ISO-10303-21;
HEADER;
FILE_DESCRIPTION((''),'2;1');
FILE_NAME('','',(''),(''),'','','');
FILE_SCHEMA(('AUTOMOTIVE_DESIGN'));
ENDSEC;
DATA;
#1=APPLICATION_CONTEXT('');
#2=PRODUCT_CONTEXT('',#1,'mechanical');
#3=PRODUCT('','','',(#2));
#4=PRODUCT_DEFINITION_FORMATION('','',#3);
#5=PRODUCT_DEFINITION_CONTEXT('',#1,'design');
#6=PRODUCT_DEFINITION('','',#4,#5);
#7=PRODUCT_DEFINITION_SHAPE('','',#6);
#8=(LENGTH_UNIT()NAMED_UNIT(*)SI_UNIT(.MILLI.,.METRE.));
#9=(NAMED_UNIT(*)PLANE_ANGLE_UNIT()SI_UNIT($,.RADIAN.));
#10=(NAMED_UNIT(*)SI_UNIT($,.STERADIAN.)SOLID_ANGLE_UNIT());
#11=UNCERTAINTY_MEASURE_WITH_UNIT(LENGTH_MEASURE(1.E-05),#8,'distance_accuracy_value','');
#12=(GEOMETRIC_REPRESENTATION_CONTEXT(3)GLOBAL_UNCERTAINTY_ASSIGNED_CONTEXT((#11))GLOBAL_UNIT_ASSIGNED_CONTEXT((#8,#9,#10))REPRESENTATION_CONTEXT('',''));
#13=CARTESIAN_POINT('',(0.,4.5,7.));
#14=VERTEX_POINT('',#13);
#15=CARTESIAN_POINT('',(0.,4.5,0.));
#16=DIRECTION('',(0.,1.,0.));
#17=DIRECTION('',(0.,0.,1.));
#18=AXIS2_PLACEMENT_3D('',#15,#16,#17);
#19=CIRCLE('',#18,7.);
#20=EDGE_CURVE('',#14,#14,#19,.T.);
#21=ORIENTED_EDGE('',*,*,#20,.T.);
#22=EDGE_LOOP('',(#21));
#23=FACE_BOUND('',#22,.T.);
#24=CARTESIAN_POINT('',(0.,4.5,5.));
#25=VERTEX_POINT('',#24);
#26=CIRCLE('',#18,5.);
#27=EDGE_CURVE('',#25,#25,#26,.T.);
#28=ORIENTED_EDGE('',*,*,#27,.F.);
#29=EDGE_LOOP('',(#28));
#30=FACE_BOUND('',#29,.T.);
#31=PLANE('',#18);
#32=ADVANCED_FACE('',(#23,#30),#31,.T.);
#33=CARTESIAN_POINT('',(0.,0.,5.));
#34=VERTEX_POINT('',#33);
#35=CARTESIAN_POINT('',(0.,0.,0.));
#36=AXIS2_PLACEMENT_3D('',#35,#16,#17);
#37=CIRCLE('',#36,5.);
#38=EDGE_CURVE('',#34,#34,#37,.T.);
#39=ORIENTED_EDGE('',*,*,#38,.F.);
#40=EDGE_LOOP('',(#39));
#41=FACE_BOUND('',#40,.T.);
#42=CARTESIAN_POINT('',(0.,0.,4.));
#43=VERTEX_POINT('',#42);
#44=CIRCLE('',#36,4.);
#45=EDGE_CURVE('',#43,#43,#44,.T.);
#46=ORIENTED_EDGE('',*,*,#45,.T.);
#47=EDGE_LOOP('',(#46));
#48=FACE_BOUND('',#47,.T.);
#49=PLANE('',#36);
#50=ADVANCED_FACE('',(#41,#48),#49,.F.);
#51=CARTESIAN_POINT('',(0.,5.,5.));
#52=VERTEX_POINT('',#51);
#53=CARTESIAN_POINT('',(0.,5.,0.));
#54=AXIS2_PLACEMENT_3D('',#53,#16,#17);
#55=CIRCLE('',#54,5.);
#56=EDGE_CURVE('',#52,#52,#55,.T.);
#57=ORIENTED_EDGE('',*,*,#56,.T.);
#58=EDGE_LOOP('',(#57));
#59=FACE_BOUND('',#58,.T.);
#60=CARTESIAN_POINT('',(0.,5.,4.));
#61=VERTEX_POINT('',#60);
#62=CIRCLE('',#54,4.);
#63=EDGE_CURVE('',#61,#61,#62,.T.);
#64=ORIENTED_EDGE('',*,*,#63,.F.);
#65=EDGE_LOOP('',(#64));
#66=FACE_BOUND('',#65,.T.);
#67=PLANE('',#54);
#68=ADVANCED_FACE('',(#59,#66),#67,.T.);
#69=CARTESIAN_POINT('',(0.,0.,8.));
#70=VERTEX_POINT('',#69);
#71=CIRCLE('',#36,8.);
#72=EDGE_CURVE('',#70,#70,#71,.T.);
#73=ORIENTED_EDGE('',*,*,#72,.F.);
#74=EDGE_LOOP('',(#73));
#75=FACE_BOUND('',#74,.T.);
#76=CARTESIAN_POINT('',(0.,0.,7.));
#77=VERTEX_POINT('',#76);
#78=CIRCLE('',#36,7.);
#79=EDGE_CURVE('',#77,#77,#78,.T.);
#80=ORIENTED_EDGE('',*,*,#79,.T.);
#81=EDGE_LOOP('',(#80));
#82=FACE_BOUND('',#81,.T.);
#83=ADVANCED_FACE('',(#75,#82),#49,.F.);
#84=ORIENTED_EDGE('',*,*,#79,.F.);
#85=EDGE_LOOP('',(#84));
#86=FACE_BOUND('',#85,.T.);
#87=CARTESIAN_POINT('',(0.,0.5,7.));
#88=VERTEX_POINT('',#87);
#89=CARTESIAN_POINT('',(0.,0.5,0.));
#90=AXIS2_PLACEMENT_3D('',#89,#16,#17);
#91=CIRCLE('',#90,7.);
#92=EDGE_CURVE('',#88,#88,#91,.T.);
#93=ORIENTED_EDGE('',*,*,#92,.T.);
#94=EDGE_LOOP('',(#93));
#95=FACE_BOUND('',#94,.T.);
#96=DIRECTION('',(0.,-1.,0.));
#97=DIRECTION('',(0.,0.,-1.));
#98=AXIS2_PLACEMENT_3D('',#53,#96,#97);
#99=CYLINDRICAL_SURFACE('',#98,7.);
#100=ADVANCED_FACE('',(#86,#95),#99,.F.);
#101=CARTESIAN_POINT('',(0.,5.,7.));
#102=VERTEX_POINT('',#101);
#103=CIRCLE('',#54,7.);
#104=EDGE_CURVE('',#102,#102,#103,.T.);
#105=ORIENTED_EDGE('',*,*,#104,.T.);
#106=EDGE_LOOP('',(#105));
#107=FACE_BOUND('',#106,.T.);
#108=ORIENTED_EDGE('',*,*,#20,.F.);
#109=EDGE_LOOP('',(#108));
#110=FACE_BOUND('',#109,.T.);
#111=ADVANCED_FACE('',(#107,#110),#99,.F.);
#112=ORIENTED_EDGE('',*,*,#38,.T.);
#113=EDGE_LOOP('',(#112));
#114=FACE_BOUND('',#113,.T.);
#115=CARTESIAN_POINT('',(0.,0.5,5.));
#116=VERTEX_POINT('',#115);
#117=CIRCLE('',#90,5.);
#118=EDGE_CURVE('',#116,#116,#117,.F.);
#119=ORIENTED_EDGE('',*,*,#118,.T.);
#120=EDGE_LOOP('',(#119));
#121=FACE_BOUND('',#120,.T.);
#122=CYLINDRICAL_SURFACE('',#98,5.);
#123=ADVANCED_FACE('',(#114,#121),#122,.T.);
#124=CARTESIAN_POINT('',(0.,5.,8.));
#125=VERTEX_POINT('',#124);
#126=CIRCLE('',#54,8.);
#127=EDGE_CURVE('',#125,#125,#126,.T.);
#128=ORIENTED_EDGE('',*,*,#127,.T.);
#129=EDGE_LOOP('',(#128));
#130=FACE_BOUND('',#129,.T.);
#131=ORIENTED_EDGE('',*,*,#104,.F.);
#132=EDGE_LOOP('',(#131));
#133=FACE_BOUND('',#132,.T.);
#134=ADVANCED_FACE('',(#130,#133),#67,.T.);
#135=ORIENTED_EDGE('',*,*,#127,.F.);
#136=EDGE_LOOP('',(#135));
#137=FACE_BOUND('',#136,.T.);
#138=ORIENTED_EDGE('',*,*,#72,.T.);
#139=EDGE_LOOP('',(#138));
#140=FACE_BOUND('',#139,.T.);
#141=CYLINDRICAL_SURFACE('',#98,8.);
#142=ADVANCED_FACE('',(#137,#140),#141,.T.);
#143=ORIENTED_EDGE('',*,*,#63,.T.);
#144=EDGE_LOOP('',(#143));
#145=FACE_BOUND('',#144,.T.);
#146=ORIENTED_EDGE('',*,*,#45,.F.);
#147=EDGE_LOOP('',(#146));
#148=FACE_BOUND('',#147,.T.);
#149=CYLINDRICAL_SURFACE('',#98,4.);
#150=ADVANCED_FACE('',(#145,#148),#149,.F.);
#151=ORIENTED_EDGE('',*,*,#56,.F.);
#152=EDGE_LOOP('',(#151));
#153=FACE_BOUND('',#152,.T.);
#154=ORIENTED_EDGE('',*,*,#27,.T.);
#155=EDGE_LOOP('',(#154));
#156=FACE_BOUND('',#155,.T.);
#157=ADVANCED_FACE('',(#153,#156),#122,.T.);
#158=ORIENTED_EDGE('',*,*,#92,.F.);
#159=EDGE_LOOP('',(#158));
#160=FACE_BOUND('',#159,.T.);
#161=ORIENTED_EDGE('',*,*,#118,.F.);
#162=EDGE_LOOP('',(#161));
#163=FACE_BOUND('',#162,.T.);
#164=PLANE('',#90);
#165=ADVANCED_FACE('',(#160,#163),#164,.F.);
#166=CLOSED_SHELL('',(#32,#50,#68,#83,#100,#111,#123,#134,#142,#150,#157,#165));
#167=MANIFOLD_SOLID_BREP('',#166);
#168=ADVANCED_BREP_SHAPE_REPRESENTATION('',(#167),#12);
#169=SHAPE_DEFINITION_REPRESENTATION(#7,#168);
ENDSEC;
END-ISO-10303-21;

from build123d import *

# Parameters (mm, degrees)
SKETCH2_R             = 8
SKETCH2_R_2           = 7
BOSS_EXTRUDE1_DEPTH   = 5
SKETCH2_R_3           = 5
SKETCH2_R_4           = 4
BOSS_EXTRUDE1_2_DEPTH = 5
BOSS_EXTRUDE2_START   = 0.5
SKETCH2_3_R           = 7
SKETCH2_3_R_2         = 5
BOSS_EXTRUDE2_DEPTH   = 4


with BuildPart() as part:
    # Sketch2 → Boss-Extrude1 (new body)
    with BuildSketch(Plane(origin=(0, 0, 0), x_dir=(1, 0, 0), z_dir=(0, 1, 0))):
        Circle(SKETCH2_R)
        Circle(SKETCH2_R_2, mode=Mode.SUBTRACT)
    extrude(amount=BOSS_EXTRUDE1_DEPTH)



with BuildPart() as body_2:
    # Sketch2 → Boss-Extrude1 2 (new body)
    with BuildSketch(Plane(origin=(0, 0, 0), x_dir=(1, 0, 0), z_dir=(0, 1, 0))):
        Circle(SKETCH2_R_3)
        Circle(SKETCH2_R_4, mode=Mode.SUBTRACT)
    extrude(amount=BOSS_EXTRUDE1_2_DEPTH)


with BuildPart() as part_1:
    add(part.part)

    add(body_2.part)  # Boss-Extrude2 merges body 2
    # Sketch2<3> → Boss-Extrude2 (add)
    with BuildSketch(Plane(origin=(0, 0, 0), x_dir=(1, 0, 0), z_dir=(0, 1, 0)).offset(BOSS_EXTRUDE2_START)):
        Circle(SKETCH2_3_R)
        Circle(SKETCH2_3_R_2, mode=Mode.SUBTRACT)
    extrude(amount=BOSS_EXTRUDE2_DEPTH)


solid = part_1.part
